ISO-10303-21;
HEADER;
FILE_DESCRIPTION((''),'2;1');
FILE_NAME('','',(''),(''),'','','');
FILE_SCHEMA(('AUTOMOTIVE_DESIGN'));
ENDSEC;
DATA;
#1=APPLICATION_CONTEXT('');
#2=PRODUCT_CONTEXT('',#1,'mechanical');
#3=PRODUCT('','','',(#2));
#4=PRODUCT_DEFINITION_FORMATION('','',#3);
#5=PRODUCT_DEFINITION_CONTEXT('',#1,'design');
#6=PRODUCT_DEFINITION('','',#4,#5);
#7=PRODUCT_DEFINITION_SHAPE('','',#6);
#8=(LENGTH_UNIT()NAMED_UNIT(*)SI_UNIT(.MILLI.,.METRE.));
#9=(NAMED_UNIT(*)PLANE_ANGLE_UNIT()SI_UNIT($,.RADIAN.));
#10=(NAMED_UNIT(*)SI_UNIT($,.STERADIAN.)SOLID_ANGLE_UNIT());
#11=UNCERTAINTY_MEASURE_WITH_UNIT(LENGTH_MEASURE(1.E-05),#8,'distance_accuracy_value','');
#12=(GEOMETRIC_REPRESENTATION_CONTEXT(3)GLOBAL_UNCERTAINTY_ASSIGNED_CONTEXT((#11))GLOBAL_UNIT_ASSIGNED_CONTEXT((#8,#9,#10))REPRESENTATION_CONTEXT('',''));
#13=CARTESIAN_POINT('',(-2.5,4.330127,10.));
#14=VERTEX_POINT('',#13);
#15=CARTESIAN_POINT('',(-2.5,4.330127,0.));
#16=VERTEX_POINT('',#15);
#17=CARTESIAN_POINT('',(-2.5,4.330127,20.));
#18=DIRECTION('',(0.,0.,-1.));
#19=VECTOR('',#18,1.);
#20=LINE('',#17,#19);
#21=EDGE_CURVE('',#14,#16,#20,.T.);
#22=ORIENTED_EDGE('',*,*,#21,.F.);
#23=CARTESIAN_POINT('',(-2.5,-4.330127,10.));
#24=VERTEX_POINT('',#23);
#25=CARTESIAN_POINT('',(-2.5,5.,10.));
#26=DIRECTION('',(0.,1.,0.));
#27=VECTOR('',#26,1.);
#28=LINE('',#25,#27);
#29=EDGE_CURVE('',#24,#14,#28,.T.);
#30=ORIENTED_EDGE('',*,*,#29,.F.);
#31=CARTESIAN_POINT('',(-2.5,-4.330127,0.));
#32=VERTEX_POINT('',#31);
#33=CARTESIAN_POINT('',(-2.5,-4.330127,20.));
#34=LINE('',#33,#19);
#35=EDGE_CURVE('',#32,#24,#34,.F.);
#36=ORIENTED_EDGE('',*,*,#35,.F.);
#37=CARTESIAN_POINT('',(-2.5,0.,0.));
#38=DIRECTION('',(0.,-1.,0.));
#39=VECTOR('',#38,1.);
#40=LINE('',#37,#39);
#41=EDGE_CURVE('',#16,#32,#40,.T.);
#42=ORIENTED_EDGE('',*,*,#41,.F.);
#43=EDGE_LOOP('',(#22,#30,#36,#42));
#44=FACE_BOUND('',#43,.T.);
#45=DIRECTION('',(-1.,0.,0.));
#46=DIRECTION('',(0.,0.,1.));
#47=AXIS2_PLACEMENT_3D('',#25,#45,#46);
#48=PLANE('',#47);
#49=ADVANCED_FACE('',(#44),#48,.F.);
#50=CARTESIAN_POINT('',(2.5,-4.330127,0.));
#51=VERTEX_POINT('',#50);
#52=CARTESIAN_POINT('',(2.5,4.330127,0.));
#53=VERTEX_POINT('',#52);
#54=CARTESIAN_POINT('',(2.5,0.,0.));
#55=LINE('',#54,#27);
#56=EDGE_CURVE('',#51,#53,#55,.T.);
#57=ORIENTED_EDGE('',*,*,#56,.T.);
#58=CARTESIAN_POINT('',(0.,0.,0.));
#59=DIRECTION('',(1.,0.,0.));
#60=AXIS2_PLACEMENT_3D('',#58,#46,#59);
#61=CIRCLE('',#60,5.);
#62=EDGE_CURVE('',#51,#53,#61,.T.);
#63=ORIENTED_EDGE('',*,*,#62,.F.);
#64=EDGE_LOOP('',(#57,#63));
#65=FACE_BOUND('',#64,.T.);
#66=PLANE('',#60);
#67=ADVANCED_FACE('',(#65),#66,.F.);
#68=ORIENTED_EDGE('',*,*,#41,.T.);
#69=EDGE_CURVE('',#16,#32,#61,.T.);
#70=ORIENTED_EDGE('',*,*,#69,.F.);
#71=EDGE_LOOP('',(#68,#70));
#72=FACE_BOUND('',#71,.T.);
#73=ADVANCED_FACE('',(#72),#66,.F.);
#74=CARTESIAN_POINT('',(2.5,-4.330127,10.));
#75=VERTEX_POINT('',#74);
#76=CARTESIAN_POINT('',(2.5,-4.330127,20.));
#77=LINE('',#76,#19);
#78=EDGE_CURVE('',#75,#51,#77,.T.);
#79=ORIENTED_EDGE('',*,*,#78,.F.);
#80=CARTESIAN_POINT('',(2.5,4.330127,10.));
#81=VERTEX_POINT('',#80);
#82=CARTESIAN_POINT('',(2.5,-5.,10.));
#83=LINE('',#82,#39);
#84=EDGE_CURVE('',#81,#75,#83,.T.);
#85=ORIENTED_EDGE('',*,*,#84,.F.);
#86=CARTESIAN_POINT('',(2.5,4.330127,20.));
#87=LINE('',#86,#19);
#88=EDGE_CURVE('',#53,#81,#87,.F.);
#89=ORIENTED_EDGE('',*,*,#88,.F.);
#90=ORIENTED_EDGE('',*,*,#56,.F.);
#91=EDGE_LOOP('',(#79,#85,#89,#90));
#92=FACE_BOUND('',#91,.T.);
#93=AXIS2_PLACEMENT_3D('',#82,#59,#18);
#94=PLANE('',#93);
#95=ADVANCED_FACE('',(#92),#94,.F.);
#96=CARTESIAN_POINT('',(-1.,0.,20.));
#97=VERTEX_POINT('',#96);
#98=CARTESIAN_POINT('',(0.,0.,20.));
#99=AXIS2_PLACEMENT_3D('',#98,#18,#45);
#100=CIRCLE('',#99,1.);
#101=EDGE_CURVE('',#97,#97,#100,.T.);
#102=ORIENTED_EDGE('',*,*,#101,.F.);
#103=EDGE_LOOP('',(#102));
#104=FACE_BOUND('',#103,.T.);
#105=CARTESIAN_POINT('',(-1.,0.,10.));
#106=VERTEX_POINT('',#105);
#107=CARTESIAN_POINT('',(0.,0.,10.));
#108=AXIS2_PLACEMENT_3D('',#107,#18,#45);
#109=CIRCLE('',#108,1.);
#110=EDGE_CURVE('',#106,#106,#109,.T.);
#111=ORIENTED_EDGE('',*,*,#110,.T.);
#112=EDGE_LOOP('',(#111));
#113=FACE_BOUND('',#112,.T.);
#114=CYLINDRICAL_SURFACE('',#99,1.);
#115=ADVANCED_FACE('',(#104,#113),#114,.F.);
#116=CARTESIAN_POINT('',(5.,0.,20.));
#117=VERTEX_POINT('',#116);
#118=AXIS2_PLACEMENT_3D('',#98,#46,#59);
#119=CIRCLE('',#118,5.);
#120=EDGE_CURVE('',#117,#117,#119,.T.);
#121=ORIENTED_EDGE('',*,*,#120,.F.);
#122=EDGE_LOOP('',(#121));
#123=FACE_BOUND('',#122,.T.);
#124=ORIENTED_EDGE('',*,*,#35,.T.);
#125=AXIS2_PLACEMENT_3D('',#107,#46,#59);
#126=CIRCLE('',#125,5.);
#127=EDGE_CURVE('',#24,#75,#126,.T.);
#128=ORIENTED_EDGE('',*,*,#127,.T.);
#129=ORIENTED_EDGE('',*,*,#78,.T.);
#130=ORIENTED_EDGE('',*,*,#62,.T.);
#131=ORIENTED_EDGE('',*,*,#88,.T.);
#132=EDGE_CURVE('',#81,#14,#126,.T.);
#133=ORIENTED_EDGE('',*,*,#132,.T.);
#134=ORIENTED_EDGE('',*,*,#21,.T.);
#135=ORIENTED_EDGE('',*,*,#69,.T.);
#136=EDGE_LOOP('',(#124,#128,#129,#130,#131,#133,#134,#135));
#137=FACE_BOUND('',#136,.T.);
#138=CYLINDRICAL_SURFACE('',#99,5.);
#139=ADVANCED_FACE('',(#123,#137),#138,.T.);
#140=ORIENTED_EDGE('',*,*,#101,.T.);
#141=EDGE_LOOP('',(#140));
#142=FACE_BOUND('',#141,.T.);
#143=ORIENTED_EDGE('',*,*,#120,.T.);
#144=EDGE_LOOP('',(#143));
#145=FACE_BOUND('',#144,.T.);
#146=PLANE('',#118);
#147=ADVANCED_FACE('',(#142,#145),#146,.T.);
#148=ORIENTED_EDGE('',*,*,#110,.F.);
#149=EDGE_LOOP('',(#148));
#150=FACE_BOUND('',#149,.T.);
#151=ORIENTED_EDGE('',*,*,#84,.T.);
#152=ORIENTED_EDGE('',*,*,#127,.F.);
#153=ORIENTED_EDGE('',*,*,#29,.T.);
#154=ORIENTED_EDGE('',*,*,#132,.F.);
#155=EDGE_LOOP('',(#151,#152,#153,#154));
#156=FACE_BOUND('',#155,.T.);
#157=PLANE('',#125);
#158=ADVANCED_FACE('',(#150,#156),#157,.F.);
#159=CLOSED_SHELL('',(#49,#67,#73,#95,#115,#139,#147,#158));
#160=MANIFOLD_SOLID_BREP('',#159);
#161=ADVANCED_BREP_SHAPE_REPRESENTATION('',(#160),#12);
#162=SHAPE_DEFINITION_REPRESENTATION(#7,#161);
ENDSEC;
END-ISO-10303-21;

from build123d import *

# Parameters (mm, degrees)
CROQUIS1_R              = 5
SALIENTE_EXTRUIR1_DEPTH = 20
CROQUIS3_W              = 5
CROQUIS3_H              = 10
CORTAR_EXTRUIR1_DEPTH   = 10
CROQUIS4_R              = 1
CORTAR_EXTRUIR2_DEPTH   = 10


with BuildPart() as part:
    # Croquis1 → Saliente-Extruir1 (new body)
    with BuildSketch(Plane.XY):
        Circle(CROQUIS1_R)
    extrude(amount=SALIENTE_EXTRUIR1_DEPTH)

    # Croquis3 → Cortar-Extruir1 (cut)
    with BuildSketch(Plane(origin=(0, 0, 0), x_dir=(-1, 0, 0), z_dir=(0, 0, -1))):
        Rectangle(CROQUIS3_W, CROQUIS3_H)
    extrude(amount=-CORTAR_EXTRUIR1_DEPTH, mode=Mode.SUBTRACT)

    # Croquis4 → Cortar-Extruir2 (cut)
    with BuildSketch(Plane(origin=(2.5, -4.330127019, 10), x_dir=(-1, 0, 0), z_dir=(0, 0, -1))):
        with Locations((2.5, 4.330127019)):
            Circle(CROQUIS4_R)
    extrude(amount=-CORTAR_EXTRUIR2_DEPTH, mode=Mode.SUBTRACT)


solid = part.part
